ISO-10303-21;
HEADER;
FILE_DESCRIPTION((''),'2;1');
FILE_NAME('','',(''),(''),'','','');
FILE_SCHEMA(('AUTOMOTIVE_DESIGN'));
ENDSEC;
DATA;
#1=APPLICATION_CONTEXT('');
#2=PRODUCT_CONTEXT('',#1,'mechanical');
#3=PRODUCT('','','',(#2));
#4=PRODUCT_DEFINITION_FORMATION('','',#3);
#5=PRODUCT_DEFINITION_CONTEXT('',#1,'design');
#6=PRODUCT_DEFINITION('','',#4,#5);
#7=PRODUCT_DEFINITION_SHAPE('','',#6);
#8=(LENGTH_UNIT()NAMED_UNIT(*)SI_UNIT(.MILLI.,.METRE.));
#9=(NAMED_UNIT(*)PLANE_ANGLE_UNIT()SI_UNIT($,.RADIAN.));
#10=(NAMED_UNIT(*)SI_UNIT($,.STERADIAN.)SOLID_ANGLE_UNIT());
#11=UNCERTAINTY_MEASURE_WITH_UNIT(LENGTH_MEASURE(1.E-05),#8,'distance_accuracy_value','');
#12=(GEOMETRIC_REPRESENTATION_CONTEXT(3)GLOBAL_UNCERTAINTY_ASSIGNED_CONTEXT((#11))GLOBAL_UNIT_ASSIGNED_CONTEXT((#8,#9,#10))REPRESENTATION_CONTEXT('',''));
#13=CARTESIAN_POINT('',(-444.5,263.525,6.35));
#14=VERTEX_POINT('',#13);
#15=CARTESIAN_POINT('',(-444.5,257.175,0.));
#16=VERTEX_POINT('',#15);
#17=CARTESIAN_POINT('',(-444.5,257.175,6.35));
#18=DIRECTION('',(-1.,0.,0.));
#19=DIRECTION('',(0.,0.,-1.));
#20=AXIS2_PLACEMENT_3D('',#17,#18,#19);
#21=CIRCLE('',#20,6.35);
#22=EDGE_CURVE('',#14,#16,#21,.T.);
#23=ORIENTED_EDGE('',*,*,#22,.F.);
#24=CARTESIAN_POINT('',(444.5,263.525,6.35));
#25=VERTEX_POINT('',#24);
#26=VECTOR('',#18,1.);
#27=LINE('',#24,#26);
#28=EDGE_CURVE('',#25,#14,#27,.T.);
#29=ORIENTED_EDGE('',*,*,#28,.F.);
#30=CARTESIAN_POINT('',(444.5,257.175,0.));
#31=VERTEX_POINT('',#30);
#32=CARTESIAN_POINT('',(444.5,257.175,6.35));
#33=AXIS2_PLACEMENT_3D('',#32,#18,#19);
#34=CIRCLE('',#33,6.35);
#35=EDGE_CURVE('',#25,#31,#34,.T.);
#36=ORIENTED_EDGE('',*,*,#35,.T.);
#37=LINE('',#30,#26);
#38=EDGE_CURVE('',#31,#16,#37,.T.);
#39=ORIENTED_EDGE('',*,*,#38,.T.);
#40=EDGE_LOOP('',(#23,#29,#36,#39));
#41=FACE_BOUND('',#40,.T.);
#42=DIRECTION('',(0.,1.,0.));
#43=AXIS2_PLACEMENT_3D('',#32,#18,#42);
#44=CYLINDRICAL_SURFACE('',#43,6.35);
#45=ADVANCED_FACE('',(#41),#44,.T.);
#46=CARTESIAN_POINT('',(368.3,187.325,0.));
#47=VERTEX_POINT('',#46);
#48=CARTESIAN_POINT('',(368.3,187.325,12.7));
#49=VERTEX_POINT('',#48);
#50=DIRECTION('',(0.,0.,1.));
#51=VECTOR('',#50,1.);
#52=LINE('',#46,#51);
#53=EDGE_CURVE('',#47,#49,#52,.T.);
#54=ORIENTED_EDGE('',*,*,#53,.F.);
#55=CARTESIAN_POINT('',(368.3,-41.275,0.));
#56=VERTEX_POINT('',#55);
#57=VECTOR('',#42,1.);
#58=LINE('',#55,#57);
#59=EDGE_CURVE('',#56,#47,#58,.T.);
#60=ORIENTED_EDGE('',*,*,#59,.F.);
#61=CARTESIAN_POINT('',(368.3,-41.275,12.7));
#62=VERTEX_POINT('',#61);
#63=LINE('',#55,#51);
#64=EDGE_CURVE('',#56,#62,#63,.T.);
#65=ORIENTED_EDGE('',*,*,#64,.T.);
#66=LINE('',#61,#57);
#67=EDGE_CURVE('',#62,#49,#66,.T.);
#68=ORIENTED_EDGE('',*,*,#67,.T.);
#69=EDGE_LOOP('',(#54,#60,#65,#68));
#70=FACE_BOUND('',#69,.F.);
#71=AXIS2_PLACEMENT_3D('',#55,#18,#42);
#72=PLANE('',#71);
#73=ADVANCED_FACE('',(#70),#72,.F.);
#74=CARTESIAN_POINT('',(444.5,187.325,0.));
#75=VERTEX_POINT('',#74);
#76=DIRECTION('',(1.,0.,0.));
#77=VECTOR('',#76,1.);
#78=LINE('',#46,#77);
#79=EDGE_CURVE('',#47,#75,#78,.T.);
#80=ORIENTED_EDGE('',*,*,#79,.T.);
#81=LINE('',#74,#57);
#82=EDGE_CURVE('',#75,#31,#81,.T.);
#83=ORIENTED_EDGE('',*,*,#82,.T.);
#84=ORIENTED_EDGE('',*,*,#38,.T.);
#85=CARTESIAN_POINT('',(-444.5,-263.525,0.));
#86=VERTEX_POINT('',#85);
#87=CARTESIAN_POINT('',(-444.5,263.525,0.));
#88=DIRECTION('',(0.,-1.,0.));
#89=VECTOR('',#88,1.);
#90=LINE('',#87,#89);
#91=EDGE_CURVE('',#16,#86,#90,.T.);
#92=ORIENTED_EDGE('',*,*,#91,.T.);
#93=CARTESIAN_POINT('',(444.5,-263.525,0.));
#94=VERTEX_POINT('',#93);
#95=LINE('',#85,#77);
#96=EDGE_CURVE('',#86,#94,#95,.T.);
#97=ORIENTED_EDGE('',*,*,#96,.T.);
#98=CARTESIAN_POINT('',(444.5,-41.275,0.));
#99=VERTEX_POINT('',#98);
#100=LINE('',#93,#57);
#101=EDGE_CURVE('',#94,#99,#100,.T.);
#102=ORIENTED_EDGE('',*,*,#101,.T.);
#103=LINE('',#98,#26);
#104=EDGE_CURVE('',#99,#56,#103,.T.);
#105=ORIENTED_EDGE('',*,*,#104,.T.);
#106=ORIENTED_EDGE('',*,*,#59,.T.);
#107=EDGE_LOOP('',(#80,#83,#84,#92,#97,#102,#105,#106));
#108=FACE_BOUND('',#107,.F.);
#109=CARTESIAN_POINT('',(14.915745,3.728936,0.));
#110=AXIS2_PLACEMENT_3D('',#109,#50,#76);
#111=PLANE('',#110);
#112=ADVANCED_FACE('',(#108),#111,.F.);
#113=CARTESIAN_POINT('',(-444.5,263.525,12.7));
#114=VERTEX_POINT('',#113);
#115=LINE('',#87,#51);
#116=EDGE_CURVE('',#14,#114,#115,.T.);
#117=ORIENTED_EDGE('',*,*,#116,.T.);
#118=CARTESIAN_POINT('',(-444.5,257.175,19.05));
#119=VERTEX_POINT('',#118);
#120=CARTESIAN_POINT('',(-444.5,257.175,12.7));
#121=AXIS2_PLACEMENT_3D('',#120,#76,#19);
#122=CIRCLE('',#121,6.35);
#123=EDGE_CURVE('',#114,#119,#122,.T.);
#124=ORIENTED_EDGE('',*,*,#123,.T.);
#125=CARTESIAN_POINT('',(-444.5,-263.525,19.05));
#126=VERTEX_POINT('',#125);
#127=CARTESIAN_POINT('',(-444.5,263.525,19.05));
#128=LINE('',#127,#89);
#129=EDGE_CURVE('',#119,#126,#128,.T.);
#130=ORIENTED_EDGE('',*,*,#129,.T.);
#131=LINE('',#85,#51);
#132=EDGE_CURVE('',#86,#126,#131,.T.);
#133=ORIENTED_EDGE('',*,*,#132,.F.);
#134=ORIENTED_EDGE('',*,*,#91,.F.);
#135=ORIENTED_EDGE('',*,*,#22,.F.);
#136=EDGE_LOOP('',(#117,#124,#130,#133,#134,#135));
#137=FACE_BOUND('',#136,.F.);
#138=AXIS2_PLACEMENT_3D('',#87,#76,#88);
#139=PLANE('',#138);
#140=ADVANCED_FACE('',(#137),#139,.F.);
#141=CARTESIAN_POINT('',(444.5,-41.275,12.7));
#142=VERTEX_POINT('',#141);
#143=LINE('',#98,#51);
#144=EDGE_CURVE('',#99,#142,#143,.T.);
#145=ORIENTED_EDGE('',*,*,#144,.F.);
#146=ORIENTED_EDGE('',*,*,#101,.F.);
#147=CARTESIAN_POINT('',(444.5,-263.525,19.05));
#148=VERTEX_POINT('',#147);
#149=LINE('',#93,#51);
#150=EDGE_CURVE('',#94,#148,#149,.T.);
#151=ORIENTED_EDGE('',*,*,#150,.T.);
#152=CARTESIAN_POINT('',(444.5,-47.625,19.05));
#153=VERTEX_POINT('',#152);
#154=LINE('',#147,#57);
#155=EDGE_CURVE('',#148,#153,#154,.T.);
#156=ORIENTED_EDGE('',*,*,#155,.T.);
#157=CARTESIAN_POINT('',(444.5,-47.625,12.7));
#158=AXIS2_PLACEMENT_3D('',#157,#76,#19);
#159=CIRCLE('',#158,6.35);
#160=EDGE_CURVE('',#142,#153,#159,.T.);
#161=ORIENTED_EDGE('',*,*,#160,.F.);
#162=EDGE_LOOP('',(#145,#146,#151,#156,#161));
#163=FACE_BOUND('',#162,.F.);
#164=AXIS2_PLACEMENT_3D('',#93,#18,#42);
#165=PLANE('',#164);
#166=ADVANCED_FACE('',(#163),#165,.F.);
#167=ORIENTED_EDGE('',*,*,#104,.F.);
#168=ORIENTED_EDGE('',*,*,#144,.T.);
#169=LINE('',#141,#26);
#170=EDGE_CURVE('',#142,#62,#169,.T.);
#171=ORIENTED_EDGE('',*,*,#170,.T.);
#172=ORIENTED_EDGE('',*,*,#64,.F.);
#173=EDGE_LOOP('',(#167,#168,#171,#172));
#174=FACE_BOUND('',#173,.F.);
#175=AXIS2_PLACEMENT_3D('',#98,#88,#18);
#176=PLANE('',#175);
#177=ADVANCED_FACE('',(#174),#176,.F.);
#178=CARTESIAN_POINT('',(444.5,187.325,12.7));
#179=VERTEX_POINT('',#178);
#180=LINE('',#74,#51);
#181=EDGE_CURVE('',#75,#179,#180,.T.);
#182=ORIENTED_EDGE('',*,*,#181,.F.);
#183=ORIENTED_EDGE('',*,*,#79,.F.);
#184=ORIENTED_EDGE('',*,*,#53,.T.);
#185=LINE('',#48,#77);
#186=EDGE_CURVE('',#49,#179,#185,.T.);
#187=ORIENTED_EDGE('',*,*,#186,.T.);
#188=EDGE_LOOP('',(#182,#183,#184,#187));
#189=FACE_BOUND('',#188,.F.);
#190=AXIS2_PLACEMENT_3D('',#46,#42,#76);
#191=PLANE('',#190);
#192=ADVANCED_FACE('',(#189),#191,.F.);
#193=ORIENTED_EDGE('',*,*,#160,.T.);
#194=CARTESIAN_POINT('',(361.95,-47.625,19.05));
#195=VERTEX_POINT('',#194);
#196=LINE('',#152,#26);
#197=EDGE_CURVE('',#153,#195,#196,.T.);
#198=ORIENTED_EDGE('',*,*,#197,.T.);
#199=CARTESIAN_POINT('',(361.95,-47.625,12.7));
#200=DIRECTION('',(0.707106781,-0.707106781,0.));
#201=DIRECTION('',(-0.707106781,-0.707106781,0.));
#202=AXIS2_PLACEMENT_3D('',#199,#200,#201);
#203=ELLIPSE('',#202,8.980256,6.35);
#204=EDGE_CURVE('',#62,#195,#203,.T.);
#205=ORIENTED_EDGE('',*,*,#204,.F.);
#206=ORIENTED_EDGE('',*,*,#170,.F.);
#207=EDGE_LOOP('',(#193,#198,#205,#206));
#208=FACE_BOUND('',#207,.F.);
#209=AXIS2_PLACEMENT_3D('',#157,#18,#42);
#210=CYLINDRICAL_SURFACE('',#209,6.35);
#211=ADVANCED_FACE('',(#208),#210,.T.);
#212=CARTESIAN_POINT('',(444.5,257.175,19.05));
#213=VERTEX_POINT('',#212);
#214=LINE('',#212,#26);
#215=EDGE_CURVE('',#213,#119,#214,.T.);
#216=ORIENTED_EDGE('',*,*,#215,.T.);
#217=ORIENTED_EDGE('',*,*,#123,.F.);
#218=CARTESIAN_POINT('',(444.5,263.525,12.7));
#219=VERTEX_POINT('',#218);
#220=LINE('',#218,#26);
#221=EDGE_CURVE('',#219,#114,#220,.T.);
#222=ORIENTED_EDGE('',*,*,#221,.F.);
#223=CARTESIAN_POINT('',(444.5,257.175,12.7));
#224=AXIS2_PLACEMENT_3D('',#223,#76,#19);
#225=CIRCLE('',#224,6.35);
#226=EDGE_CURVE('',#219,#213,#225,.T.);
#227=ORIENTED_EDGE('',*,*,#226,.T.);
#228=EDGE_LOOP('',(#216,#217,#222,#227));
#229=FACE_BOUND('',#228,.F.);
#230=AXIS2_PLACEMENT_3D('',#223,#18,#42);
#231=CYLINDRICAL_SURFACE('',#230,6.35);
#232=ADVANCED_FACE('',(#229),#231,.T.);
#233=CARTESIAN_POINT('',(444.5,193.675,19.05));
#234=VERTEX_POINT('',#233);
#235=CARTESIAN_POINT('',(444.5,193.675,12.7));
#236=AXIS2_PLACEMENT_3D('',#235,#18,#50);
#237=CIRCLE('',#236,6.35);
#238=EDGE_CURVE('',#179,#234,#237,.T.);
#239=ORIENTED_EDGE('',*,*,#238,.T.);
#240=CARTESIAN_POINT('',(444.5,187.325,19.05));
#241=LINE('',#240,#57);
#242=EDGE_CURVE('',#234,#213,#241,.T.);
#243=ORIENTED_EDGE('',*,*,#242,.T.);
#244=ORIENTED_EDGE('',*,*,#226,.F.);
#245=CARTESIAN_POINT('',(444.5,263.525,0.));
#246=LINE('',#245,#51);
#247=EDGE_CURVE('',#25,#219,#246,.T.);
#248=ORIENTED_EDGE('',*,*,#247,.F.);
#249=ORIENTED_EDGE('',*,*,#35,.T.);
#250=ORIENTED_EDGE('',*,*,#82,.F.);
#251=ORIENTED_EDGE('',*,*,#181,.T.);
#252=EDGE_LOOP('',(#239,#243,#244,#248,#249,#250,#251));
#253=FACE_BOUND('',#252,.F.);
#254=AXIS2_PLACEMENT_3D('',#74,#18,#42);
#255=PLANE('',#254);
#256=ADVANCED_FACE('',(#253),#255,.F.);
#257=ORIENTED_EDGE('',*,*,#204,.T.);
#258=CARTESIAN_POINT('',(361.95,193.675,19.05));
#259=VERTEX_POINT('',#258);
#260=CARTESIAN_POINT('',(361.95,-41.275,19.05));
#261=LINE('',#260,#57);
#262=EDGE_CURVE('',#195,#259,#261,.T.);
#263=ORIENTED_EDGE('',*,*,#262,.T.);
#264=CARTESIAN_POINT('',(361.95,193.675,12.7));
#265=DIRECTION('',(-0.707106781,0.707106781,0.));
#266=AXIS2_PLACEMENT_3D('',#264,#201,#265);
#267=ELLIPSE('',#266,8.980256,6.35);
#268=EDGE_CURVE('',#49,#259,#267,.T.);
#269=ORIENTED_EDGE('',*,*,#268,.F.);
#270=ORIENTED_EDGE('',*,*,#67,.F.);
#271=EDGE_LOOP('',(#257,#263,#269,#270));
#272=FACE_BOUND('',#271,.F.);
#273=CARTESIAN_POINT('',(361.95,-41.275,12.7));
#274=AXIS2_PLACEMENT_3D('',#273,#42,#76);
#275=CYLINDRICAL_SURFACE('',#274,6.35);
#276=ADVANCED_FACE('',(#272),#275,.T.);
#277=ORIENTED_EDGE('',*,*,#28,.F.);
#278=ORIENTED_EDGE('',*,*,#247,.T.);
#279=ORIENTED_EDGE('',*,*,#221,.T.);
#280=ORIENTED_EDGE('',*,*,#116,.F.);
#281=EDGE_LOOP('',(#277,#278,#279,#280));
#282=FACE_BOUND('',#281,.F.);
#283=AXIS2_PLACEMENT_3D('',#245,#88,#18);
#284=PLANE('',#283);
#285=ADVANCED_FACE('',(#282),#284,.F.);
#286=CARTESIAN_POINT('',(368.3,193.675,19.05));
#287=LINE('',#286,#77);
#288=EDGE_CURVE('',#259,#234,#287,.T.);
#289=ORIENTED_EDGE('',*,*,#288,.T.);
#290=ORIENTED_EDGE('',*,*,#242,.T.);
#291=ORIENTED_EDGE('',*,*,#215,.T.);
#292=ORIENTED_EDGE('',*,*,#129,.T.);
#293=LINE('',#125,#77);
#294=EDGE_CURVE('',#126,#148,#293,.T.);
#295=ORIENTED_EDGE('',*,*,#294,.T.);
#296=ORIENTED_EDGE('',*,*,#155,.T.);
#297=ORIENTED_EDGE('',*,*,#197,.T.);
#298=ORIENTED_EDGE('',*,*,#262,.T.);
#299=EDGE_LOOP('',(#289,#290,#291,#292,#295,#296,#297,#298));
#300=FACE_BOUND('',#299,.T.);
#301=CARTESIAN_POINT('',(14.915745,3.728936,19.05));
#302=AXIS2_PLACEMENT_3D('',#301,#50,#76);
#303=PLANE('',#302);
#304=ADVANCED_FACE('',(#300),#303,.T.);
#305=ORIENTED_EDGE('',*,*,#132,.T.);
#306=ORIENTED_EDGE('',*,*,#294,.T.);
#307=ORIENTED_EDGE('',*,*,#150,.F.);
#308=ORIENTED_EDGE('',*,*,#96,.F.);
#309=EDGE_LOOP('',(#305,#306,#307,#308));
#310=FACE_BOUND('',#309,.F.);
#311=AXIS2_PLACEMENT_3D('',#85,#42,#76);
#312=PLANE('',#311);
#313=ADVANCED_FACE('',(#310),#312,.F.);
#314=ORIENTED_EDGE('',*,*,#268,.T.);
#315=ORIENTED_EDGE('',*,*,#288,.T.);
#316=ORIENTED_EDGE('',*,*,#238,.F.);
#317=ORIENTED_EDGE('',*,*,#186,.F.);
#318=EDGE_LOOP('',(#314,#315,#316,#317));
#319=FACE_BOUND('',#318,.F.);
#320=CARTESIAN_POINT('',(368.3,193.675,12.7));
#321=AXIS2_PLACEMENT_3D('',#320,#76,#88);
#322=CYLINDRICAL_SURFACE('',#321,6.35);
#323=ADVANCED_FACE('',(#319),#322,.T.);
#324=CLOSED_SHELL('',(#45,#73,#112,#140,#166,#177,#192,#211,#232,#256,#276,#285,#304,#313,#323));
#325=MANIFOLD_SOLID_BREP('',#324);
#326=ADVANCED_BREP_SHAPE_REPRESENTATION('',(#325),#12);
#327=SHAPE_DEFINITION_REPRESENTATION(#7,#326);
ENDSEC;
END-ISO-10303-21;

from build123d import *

# Parameters (mm, degrees)
F1_DEPTH = 19.05
F2_R     = 6.35


with BuildPart() as f1:
    # F0 (on Top) → F1 (new body)
    with BuildSketch(Plane.XY):
        Polygon((-444.5, -263.525), (444.5, -263.525), (444.5, -41.275), (368.3, -41.275), (368.3, 187.325), (444.5, 187.325), (444.5, 263.525), (-444.5, 263.525), align=None)
    extrude(amount=F1_DEPTH)

    # F2
    f2_edges = [f1.edges().sort_by_distance(p)[0] for p in [
        (0, 263.525, 19.05),
        (0, 263.525, 0),
        (406.4, -41.275, 19.05),
        (368.3, 73.025, 19.05),
        (406.4, 187.325, 19.05),
    ]]
    fillet(f2_edges, radius=F2_R)


solid = f1.part
